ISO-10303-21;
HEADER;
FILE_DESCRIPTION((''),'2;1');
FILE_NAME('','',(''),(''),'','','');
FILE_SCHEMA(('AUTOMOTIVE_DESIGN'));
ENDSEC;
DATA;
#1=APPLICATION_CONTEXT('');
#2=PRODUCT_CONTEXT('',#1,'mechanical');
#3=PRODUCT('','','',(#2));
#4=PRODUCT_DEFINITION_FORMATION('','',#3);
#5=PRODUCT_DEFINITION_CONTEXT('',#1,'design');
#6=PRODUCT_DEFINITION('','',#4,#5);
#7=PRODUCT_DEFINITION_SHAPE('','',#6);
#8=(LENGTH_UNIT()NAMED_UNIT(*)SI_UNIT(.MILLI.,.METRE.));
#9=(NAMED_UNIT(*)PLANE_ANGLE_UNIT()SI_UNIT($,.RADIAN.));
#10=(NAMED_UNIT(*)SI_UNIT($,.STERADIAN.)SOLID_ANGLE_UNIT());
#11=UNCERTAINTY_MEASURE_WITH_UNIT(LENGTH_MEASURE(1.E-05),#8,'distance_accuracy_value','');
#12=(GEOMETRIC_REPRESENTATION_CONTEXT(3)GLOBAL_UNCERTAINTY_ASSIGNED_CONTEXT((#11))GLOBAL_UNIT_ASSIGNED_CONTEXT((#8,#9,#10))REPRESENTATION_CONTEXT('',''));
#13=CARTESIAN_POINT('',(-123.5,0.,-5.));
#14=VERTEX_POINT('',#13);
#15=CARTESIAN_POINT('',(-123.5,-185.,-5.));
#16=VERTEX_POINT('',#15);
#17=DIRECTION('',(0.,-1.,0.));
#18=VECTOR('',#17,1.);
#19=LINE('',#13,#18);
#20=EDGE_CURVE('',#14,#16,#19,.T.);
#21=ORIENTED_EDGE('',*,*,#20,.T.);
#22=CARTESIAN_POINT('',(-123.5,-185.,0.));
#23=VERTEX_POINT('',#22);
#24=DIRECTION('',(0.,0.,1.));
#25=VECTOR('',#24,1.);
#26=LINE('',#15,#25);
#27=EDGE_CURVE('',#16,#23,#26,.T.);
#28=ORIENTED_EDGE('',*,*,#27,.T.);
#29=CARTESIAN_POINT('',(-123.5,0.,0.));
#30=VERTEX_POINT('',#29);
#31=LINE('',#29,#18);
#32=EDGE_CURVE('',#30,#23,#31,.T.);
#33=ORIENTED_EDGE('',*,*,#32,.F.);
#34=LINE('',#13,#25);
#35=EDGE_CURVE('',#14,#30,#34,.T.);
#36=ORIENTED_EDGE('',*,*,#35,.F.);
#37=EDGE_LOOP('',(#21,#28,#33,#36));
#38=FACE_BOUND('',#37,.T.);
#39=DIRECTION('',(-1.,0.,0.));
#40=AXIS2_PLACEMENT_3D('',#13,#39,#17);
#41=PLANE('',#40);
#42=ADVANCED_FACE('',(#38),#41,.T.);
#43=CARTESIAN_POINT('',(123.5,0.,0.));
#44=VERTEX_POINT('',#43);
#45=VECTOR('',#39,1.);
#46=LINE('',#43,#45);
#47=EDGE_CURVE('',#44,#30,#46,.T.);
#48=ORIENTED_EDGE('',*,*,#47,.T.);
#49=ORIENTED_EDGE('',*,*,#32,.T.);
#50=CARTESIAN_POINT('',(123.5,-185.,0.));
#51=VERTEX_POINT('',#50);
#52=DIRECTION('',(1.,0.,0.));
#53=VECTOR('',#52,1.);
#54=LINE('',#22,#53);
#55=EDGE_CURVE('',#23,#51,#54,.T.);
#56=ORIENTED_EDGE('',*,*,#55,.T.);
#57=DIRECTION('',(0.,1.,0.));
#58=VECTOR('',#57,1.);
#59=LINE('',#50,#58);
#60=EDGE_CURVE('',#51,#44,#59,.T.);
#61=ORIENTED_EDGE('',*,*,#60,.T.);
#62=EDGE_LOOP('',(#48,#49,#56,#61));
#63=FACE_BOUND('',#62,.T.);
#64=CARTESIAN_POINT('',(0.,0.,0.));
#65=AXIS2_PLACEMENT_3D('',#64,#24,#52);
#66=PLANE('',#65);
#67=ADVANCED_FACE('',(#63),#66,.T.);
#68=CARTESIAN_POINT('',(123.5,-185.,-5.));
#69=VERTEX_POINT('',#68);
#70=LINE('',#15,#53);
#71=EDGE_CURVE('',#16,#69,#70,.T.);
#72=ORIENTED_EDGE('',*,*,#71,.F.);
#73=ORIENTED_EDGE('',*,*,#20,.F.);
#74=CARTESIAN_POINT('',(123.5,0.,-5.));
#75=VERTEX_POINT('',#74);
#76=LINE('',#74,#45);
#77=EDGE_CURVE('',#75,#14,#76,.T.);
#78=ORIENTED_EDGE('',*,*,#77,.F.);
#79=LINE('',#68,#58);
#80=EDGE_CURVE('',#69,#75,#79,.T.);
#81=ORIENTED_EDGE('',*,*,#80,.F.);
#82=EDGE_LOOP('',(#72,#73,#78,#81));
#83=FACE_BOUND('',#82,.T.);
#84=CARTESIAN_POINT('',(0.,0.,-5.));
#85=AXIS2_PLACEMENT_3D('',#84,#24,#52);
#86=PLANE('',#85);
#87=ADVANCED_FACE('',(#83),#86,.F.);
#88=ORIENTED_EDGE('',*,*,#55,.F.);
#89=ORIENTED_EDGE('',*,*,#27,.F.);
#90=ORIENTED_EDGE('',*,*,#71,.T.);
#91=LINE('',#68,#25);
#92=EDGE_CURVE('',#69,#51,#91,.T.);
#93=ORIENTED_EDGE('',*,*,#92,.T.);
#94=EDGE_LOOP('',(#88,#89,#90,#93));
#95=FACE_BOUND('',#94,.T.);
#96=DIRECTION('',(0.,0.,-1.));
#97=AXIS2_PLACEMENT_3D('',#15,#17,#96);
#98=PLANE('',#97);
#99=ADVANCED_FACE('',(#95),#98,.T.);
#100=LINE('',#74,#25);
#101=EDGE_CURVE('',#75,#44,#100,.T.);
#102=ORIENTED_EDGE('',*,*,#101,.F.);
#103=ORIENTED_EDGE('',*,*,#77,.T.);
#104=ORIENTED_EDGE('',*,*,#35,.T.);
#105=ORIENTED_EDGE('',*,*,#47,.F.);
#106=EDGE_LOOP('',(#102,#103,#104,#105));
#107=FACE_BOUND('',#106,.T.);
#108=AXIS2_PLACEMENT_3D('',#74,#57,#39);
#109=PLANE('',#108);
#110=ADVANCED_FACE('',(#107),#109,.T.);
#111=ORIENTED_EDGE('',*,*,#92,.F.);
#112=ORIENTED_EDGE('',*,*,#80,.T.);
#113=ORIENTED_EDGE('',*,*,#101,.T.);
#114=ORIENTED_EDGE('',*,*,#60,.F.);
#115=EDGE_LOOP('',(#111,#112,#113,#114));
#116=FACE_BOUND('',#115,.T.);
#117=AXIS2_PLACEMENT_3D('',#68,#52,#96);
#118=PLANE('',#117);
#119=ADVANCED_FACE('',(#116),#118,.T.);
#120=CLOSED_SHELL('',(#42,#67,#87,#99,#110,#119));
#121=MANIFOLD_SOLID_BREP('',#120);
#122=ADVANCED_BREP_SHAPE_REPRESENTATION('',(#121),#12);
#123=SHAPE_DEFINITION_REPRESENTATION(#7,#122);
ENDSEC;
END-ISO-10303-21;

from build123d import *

# Parameters (mm, degrees)
ESQUISSE1_W        = 247
ESQUISSE1_H        = 185
BOSS_EXTRU_1_DEPTH = 5


with BuildPart() as part:
    # Esquisse1 → Boss.-Extru.1 (new body)
    with BuildSketch(Plane.XY):
        with Locations((0, -92.5)):
            Rectangle(ESQUISSE1_W, ESQUISSE1_H)
    extrude(amount=-BOSS_EXTRU_1_DEPTH)


solid = part.part
